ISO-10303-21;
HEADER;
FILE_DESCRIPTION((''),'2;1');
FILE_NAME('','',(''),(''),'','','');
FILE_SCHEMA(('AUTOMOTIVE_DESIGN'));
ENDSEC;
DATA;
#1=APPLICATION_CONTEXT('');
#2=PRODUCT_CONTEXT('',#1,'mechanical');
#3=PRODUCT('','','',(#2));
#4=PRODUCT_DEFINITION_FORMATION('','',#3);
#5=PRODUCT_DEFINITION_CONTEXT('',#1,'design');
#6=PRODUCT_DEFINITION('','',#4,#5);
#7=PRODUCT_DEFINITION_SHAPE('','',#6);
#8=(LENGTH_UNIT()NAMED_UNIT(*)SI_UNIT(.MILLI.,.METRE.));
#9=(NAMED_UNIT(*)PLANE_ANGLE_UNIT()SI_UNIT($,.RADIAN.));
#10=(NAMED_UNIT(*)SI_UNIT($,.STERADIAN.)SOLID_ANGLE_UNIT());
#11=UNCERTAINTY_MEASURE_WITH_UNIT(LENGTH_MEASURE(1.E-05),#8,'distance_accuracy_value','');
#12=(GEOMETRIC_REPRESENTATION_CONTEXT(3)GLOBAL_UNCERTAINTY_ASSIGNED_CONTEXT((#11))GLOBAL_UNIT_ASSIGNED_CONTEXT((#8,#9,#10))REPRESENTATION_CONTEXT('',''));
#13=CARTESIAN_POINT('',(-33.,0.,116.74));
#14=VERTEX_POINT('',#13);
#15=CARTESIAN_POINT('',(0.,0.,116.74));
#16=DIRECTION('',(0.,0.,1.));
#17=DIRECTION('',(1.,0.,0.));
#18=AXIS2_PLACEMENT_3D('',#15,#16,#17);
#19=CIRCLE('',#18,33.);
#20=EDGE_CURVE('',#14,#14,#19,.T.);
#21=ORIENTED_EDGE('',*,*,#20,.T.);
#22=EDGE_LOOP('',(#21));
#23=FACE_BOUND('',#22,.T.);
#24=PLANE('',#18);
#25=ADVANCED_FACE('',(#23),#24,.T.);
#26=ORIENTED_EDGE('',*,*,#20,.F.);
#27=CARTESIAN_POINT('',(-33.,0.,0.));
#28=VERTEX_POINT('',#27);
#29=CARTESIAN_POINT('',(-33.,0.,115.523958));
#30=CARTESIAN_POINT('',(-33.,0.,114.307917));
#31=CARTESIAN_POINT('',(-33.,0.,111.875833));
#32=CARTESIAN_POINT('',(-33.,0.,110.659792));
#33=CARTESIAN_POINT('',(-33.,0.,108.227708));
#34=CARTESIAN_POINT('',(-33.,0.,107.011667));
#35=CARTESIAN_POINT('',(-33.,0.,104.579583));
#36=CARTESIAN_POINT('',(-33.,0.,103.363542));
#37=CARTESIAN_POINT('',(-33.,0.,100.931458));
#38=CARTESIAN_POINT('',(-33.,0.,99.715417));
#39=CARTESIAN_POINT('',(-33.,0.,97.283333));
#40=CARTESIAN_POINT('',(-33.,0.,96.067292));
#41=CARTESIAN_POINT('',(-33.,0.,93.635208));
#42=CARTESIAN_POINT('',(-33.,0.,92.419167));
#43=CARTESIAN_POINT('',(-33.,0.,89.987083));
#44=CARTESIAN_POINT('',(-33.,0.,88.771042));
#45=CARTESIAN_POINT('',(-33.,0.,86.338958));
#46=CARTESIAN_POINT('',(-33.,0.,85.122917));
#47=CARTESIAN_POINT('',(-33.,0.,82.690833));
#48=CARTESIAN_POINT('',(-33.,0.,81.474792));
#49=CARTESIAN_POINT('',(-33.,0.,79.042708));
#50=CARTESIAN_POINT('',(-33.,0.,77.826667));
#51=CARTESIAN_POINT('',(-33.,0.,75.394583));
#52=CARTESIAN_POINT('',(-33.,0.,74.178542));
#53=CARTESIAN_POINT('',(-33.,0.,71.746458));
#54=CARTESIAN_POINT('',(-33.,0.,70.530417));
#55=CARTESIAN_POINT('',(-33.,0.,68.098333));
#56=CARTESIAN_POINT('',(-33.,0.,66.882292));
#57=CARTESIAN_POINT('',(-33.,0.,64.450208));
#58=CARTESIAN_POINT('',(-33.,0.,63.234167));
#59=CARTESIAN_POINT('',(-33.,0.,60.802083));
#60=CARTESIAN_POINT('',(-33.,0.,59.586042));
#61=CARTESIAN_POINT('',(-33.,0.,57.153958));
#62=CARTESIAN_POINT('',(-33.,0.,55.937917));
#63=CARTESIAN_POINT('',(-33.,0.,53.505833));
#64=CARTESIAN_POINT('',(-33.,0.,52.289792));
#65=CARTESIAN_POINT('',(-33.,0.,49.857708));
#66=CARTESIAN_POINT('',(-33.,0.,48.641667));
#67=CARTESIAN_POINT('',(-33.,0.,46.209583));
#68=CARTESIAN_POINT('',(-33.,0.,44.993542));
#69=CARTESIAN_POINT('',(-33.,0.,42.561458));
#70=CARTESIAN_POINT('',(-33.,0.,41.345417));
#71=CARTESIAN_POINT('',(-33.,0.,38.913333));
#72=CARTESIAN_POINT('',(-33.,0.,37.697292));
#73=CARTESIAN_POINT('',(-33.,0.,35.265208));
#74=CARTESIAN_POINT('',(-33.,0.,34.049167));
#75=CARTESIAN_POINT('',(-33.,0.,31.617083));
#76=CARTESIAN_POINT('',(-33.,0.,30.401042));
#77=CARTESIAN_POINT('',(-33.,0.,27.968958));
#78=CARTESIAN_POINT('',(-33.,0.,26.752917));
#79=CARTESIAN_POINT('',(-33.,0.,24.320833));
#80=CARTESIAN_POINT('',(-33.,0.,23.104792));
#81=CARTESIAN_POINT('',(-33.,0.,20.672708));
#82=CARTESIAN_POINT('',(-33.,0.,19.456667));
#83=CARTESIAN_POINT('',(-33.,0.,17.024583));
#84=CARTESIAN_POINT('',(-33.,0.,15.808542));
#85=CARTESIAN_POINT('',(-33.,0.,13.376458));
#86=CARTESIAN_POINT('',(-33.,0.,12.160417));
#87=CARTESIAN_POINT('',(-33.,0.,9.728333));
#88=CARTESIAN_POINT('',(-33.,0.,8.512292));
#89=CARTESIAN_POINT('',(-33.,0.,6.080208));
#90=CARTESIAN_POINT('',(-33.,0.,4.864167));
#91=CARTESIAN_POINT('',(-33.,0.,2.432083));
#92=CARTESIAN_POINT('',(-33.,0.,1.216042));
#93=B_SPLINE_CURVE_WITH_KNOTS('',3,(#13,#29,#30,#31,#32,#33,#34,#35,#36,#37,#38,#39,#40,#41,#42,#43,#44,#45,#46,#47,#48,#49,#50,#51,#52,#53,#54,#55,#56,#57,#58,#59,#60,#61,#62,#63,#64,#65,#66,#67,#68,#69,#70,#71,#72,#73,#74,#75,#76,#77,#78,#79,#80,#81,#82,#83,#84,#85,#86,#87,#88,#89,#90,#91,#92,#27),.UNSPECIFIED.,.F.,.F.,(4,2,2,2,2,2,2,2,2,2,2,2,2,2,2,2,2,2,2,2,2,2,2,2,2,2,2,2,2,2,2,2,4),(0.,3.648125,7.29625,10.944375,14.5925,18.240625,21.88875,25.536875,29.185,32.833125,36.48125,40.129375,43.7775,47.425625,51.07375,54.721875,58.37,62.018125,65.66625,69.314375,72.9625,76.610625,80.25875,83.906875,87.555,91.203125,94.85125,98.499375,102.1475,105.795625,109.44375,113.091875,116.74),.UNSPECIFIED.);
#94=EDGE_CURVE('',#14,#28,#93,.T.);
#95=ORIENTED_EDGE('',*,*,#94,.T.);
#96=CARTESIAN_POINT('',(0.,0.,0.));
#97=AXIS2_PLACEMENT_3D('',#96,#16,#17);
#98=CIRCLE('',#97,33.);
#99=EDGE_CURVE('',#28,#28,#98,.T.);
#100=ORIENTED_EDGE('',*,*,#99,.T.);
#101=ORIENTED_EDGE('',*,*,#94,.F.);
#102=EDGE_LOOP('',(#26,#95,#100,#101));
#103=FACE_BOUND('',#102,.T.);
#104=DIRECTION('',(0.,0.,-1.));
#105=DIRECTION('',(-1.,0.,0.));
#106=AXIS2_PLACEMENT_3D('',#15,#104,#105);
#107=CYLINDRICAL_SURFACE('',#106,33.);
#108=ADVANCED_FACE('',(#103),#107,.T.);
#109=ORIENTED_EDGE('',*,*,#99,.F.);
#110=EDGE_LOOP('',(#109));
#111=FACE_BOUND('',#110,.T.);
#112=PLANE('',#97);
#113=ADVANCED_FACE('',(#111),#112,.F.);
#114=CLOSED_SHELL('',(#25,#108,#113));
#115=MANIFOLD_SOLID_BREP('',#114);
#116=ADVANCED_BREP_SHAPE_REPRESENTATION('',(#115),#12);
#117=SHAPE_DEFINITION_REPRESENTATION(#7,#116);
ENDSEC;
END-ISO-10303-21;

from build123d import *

# Parameters (mm, degrees)
SKETCH1_R           = 33
BOSS_EXTRUDE1_DEPTH = 116.74


with BuildPart() as part:
    # Sketch1 → Boss-Extrude1 (new body)
    with BuildSketch(Plane.XY):
        Circle(SKETCH1_R)
    extrude(amount=BOSS_EXTRUDE1_DEPTH)


solid = part.part
